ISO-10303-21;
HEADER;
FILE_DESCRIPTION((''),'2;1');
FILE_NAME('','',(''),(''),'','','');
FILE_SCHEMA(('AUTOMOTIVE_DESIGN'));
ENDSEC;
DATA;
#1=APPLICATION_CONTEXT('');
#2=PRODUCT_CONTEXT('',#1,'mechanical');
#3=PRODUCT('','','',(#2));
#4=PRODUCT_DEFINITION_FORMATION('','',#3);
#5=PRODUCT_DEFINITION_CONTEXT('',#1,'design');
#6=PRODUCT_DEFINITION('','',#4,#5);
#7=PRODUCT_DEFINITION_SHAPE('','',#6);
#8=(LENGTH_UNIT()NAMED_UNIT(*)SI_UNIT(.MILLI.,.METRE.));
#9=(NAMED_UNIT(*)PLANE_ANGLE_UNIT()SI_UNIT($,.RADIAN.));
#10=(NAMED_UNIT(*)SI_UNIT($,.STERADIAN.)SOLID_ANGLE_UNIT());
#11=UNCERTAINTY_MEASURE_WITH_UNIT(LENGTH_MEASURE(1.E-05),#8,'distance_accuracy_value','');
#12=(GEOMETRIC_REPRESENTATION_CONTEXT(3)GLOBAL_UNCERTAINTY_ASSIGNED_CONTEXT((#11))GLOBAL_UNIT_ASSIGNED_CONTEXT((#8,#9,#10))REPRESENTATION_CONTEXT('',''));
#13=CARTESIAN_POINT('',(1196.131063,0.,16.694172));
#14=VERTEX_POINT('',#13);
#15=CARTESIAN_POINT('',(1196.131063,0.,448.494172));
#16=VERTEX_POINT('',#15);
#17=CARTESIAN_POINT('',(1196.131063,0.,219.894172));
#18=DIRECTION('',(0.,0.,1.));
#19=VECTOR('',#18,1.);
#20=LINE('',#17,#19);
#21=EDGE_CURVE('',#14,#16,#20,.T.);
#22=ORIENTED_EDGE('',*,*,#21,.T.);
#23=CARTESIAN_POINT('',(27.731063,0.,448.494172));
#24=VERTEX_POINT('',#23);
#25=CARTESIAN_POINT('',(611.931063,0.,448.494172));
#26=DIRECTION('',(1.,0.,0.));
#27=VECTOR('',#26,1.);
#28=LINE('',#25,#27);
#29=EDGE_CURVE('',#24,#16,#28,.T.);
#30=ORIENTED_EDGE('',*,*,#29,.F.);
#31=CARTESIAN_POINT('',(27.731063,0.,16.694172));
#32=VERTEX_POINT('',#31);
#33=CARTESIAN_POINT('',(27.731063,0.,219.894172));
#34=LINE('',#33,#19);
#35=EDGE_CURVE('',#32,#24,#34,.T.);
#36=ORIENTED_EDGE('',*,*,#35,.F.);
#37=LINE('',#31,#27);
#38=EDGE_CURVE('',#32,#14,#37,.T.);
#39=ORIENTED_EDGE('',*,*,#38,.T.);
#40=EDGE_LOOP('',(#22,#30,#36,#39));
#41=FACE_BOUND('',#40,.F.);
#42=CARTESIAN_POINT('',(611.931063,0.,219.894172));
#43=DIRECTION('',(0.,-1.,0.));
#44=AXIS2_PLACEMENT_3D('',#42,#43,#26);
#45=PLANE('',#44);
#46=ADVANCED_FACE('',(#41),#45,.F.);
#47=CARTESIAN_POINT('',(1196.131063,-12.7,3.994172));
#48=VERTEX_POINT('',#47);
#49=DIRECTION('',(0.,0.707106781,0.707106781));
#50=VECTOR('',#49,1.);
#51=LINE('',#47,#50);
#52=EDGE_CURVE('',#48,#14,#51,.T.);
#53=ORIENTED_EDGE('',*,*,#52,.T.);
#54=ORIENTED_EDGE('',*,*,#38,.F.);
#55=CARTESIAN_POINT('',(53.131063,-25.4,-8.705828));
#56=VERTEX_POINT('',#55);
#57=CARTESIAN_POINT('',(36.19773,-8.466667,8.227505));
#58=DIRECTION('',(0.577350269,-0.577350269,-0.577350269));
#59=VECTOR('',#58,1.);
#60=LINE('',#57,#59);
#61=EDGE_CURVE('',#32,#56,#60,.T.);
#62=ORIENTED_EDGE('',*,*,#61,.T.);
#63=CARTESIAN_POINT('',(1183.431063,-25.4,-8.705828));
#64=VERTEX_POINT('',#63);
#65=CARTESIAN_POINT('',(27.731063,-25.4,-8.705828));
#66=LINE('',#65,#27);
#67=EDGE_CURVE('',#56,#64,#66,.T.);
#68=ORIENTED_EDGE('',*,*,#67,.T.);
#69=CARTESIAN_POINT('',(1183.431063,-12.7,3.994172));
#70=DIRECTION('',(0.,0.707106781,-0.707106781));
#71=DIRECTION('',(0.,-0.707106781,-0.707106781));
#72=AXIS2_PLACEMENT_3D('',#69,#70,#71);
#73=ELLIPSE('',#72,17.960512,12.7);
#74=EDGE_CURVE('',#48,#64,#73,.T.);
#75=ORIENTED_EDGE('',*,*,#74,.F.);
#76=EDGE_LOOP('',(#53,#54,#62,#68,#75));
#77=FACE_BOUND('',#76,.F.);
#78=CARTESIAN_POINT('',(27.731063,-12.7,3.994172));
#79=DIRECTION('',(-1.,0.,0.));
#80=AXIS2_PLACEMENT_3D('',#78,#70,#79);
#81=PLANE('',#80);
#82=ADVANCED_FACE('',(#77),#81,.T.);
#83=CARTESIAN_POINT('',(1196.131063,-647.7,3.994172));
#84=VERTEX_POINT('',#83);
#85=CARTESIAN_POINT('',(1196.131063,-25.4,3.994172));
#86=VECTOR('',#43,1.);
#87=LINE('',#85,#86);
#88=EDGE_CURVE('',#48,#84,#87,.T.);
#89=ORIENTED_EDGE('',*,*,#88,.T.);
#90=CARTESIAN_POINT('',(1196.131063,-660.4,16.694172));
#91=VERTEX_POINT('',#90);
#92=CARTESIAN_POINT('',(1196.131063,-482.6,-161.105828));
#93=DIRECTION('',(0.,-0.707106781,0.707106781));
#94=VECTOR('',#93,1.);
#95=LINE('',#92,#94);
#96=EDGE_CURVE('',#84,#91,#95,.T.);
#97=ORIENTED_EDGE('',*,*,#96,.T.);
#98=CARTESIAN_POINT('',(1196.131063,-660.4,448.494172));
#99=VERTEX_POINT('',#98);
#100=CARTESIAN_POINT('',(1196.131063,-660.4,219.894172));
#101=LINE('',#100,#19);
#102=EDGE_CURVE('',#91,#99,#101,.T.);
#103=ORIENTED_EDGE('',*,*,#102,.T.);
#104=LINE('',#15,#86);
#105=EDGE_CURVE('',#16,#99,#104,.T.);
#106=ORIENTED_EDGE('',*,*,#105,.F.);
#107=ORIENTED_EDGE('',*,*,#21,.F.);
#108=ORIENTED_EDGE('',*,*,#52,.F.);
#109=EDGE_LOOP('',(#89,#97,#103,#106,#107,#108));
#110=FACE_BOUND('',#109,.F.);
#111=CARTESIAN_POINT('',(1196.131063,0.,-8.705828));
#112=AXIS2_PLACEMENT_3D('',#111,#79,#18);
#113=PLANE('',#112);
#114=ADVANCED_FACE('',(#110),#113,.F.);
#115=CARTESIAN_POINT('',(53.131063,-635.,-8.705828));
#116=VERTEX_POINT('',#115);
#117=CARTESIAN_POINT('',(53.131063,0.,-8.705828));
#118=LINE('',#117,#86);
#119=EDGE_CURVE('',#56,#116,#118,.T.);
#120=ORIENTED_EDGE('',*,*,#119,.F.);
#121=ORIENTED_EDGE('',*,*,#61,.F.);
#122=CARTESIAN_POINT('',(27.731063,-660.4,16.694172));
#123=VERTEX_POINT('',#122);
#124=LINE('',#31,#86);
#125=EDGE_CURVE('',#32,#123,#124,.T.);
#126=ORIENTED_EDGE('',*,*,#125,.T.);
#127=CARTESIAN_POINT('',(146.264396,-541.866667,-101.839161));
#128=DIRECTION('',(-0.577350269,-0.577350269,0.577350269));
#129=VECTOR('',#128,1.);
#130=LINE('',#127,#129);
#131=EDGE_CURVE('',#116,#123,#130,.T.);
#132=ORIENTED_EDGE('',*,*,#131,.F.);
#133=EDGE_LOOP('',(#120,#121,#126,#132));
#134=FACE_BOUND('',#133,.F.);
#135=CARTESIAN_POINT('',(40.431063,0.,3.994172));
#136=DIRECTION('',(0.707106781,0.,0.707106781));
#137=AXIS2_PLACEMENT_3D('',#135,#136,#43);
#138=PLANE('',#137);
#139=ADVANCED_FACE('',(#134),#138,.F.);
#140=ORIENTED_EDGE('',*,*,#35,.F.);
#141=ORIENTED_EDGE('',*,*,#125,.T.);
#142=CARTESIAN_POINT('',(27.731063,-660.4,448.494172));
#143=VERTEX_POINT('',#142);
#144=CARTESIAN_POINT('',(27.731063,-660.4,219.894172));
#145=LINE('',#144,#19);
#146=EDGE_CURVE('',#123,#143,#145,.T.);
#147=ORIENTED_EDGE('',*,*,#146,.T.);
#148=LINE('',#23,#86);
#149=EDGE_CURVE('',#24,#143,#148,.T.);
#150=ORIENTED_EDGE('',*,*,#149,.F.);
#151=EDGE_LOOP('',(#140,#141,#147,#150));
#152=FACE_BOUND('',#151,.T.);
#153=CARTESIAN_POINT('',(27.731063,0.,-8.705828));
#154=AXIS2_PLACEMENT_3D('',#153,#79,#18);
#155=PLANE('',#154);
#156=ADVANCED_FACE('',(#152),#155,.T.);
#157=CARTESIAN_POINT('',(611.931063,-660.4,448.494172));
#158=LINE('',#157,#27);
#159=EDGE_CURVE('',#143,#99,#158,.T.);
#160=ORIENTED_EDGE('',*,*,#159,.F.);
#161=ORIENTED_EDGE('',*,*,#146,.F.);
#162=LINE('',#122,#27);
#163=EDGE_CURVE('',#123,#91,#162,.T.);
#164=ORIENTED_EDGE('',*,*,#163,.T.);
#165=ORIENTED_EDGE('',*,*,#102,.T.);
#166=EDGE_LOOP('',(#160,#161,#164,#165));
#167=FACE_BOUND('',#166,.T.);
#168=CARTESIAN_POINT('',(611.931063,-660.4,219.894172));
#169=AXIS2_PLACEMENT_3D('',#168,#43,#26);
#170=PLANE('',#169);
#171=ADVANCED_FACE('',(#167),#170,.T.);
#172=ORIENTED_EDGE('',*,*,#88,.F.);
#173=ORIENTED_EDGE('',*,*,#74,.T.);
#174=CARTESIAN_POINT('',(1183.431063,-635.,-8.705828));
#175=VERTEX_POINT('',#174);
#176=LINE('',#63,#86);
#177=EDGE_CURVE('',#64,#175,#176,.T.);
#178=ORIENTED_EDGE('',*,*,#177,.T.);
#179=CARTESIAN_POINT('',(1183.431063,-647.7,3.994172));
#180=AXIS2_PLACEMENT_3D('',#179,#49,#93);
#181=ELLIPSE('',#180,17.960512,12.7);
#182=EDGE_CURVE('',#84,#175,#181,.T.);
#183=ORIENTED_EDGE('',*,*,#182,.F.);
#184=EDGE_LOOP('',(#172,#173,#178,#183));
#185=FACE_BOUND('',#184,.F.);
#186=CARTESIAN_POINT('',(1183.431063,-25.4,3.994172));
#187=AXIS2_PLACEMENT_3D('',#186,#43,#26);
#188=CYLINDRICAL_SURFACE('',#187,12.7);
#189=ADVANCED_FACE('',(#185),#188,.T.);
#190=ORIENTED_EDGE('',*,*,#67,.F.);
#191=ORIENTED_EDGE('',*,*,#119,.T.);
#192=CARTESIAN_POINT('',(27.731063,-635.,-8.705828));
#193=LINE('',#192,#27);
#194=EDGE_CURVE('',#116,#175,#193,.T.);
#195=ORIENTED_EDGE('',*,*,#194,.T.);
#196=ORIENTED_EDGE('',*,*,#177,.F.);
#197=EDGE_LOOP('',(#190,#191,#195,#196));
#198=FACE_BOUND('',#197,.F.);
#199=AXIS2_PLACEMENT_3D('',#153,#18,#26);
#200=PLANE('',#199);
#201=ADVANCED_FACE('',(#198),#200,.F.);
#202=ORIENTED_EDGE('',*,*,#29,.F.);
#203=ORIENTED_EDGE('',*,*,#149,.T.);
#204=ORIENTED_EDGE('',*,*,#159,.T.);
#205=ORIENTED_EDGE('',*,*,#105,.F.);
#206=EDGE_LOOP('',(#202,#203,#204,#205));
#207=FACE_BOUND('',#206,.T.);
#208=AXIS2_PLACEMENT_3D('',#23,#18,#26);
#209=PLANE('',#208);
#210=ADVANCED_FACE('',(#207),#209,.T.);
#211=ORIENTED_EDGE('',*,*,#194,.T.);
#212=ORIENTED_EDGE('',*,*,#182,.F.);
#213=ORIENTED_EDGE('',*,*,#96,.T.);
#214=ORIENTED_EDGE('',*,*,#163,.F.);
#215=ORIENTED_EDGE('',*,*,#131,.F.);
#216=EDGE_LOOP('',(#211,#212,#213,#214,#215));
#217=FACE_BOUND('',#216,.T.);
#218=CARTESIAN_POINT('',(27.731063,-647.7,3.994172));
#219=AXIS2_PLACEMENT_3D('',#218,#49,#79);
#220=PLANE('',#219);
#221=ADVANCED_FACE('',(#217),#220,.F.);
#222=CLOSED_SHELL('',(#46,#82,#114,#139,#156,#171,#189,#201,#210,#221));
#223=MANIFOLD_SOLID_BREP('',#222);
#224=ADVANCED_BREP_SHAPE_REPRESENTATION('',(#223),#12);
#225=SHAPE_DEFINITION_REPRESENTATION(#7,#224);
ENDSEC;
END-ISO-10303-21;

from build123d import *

# Parameters (mm, degrees)
F0_W     = 1168.4
F0_H     = 457.2
F1_DEPTH = 660.4
F2_SIZE  = 25.4
F3_R     = 12.7


with BuildPart() as f1:
    # F0 (on Front) → F1 (new body)
    with BuildSketch(Plane.XZ):
        with Locations((611.931063, 219.894172)):
            Rectangle(F0_W, F0_H)
    extrude(amount=F1_DEPTH)

    # F2
    f2_edges = [f1.edges().sort_by_distance(p)[0] for p in [
        (611.931063, -660.4, -8.705828),
        (27.731063, -330.2, -8.705828),
        (611.931063, 0, -8.705828),
    ]]
    chamfer(f2_edges, length=F2_SIZE)

    # F3
    f3_edges = [f1.edges().sort_by_distance(p)[0] for p in [
        (1196.131063, -330.2, -8.705828),
    ]]
    fillet(f3_edges, radius=F3_R)


solid = f1.part
